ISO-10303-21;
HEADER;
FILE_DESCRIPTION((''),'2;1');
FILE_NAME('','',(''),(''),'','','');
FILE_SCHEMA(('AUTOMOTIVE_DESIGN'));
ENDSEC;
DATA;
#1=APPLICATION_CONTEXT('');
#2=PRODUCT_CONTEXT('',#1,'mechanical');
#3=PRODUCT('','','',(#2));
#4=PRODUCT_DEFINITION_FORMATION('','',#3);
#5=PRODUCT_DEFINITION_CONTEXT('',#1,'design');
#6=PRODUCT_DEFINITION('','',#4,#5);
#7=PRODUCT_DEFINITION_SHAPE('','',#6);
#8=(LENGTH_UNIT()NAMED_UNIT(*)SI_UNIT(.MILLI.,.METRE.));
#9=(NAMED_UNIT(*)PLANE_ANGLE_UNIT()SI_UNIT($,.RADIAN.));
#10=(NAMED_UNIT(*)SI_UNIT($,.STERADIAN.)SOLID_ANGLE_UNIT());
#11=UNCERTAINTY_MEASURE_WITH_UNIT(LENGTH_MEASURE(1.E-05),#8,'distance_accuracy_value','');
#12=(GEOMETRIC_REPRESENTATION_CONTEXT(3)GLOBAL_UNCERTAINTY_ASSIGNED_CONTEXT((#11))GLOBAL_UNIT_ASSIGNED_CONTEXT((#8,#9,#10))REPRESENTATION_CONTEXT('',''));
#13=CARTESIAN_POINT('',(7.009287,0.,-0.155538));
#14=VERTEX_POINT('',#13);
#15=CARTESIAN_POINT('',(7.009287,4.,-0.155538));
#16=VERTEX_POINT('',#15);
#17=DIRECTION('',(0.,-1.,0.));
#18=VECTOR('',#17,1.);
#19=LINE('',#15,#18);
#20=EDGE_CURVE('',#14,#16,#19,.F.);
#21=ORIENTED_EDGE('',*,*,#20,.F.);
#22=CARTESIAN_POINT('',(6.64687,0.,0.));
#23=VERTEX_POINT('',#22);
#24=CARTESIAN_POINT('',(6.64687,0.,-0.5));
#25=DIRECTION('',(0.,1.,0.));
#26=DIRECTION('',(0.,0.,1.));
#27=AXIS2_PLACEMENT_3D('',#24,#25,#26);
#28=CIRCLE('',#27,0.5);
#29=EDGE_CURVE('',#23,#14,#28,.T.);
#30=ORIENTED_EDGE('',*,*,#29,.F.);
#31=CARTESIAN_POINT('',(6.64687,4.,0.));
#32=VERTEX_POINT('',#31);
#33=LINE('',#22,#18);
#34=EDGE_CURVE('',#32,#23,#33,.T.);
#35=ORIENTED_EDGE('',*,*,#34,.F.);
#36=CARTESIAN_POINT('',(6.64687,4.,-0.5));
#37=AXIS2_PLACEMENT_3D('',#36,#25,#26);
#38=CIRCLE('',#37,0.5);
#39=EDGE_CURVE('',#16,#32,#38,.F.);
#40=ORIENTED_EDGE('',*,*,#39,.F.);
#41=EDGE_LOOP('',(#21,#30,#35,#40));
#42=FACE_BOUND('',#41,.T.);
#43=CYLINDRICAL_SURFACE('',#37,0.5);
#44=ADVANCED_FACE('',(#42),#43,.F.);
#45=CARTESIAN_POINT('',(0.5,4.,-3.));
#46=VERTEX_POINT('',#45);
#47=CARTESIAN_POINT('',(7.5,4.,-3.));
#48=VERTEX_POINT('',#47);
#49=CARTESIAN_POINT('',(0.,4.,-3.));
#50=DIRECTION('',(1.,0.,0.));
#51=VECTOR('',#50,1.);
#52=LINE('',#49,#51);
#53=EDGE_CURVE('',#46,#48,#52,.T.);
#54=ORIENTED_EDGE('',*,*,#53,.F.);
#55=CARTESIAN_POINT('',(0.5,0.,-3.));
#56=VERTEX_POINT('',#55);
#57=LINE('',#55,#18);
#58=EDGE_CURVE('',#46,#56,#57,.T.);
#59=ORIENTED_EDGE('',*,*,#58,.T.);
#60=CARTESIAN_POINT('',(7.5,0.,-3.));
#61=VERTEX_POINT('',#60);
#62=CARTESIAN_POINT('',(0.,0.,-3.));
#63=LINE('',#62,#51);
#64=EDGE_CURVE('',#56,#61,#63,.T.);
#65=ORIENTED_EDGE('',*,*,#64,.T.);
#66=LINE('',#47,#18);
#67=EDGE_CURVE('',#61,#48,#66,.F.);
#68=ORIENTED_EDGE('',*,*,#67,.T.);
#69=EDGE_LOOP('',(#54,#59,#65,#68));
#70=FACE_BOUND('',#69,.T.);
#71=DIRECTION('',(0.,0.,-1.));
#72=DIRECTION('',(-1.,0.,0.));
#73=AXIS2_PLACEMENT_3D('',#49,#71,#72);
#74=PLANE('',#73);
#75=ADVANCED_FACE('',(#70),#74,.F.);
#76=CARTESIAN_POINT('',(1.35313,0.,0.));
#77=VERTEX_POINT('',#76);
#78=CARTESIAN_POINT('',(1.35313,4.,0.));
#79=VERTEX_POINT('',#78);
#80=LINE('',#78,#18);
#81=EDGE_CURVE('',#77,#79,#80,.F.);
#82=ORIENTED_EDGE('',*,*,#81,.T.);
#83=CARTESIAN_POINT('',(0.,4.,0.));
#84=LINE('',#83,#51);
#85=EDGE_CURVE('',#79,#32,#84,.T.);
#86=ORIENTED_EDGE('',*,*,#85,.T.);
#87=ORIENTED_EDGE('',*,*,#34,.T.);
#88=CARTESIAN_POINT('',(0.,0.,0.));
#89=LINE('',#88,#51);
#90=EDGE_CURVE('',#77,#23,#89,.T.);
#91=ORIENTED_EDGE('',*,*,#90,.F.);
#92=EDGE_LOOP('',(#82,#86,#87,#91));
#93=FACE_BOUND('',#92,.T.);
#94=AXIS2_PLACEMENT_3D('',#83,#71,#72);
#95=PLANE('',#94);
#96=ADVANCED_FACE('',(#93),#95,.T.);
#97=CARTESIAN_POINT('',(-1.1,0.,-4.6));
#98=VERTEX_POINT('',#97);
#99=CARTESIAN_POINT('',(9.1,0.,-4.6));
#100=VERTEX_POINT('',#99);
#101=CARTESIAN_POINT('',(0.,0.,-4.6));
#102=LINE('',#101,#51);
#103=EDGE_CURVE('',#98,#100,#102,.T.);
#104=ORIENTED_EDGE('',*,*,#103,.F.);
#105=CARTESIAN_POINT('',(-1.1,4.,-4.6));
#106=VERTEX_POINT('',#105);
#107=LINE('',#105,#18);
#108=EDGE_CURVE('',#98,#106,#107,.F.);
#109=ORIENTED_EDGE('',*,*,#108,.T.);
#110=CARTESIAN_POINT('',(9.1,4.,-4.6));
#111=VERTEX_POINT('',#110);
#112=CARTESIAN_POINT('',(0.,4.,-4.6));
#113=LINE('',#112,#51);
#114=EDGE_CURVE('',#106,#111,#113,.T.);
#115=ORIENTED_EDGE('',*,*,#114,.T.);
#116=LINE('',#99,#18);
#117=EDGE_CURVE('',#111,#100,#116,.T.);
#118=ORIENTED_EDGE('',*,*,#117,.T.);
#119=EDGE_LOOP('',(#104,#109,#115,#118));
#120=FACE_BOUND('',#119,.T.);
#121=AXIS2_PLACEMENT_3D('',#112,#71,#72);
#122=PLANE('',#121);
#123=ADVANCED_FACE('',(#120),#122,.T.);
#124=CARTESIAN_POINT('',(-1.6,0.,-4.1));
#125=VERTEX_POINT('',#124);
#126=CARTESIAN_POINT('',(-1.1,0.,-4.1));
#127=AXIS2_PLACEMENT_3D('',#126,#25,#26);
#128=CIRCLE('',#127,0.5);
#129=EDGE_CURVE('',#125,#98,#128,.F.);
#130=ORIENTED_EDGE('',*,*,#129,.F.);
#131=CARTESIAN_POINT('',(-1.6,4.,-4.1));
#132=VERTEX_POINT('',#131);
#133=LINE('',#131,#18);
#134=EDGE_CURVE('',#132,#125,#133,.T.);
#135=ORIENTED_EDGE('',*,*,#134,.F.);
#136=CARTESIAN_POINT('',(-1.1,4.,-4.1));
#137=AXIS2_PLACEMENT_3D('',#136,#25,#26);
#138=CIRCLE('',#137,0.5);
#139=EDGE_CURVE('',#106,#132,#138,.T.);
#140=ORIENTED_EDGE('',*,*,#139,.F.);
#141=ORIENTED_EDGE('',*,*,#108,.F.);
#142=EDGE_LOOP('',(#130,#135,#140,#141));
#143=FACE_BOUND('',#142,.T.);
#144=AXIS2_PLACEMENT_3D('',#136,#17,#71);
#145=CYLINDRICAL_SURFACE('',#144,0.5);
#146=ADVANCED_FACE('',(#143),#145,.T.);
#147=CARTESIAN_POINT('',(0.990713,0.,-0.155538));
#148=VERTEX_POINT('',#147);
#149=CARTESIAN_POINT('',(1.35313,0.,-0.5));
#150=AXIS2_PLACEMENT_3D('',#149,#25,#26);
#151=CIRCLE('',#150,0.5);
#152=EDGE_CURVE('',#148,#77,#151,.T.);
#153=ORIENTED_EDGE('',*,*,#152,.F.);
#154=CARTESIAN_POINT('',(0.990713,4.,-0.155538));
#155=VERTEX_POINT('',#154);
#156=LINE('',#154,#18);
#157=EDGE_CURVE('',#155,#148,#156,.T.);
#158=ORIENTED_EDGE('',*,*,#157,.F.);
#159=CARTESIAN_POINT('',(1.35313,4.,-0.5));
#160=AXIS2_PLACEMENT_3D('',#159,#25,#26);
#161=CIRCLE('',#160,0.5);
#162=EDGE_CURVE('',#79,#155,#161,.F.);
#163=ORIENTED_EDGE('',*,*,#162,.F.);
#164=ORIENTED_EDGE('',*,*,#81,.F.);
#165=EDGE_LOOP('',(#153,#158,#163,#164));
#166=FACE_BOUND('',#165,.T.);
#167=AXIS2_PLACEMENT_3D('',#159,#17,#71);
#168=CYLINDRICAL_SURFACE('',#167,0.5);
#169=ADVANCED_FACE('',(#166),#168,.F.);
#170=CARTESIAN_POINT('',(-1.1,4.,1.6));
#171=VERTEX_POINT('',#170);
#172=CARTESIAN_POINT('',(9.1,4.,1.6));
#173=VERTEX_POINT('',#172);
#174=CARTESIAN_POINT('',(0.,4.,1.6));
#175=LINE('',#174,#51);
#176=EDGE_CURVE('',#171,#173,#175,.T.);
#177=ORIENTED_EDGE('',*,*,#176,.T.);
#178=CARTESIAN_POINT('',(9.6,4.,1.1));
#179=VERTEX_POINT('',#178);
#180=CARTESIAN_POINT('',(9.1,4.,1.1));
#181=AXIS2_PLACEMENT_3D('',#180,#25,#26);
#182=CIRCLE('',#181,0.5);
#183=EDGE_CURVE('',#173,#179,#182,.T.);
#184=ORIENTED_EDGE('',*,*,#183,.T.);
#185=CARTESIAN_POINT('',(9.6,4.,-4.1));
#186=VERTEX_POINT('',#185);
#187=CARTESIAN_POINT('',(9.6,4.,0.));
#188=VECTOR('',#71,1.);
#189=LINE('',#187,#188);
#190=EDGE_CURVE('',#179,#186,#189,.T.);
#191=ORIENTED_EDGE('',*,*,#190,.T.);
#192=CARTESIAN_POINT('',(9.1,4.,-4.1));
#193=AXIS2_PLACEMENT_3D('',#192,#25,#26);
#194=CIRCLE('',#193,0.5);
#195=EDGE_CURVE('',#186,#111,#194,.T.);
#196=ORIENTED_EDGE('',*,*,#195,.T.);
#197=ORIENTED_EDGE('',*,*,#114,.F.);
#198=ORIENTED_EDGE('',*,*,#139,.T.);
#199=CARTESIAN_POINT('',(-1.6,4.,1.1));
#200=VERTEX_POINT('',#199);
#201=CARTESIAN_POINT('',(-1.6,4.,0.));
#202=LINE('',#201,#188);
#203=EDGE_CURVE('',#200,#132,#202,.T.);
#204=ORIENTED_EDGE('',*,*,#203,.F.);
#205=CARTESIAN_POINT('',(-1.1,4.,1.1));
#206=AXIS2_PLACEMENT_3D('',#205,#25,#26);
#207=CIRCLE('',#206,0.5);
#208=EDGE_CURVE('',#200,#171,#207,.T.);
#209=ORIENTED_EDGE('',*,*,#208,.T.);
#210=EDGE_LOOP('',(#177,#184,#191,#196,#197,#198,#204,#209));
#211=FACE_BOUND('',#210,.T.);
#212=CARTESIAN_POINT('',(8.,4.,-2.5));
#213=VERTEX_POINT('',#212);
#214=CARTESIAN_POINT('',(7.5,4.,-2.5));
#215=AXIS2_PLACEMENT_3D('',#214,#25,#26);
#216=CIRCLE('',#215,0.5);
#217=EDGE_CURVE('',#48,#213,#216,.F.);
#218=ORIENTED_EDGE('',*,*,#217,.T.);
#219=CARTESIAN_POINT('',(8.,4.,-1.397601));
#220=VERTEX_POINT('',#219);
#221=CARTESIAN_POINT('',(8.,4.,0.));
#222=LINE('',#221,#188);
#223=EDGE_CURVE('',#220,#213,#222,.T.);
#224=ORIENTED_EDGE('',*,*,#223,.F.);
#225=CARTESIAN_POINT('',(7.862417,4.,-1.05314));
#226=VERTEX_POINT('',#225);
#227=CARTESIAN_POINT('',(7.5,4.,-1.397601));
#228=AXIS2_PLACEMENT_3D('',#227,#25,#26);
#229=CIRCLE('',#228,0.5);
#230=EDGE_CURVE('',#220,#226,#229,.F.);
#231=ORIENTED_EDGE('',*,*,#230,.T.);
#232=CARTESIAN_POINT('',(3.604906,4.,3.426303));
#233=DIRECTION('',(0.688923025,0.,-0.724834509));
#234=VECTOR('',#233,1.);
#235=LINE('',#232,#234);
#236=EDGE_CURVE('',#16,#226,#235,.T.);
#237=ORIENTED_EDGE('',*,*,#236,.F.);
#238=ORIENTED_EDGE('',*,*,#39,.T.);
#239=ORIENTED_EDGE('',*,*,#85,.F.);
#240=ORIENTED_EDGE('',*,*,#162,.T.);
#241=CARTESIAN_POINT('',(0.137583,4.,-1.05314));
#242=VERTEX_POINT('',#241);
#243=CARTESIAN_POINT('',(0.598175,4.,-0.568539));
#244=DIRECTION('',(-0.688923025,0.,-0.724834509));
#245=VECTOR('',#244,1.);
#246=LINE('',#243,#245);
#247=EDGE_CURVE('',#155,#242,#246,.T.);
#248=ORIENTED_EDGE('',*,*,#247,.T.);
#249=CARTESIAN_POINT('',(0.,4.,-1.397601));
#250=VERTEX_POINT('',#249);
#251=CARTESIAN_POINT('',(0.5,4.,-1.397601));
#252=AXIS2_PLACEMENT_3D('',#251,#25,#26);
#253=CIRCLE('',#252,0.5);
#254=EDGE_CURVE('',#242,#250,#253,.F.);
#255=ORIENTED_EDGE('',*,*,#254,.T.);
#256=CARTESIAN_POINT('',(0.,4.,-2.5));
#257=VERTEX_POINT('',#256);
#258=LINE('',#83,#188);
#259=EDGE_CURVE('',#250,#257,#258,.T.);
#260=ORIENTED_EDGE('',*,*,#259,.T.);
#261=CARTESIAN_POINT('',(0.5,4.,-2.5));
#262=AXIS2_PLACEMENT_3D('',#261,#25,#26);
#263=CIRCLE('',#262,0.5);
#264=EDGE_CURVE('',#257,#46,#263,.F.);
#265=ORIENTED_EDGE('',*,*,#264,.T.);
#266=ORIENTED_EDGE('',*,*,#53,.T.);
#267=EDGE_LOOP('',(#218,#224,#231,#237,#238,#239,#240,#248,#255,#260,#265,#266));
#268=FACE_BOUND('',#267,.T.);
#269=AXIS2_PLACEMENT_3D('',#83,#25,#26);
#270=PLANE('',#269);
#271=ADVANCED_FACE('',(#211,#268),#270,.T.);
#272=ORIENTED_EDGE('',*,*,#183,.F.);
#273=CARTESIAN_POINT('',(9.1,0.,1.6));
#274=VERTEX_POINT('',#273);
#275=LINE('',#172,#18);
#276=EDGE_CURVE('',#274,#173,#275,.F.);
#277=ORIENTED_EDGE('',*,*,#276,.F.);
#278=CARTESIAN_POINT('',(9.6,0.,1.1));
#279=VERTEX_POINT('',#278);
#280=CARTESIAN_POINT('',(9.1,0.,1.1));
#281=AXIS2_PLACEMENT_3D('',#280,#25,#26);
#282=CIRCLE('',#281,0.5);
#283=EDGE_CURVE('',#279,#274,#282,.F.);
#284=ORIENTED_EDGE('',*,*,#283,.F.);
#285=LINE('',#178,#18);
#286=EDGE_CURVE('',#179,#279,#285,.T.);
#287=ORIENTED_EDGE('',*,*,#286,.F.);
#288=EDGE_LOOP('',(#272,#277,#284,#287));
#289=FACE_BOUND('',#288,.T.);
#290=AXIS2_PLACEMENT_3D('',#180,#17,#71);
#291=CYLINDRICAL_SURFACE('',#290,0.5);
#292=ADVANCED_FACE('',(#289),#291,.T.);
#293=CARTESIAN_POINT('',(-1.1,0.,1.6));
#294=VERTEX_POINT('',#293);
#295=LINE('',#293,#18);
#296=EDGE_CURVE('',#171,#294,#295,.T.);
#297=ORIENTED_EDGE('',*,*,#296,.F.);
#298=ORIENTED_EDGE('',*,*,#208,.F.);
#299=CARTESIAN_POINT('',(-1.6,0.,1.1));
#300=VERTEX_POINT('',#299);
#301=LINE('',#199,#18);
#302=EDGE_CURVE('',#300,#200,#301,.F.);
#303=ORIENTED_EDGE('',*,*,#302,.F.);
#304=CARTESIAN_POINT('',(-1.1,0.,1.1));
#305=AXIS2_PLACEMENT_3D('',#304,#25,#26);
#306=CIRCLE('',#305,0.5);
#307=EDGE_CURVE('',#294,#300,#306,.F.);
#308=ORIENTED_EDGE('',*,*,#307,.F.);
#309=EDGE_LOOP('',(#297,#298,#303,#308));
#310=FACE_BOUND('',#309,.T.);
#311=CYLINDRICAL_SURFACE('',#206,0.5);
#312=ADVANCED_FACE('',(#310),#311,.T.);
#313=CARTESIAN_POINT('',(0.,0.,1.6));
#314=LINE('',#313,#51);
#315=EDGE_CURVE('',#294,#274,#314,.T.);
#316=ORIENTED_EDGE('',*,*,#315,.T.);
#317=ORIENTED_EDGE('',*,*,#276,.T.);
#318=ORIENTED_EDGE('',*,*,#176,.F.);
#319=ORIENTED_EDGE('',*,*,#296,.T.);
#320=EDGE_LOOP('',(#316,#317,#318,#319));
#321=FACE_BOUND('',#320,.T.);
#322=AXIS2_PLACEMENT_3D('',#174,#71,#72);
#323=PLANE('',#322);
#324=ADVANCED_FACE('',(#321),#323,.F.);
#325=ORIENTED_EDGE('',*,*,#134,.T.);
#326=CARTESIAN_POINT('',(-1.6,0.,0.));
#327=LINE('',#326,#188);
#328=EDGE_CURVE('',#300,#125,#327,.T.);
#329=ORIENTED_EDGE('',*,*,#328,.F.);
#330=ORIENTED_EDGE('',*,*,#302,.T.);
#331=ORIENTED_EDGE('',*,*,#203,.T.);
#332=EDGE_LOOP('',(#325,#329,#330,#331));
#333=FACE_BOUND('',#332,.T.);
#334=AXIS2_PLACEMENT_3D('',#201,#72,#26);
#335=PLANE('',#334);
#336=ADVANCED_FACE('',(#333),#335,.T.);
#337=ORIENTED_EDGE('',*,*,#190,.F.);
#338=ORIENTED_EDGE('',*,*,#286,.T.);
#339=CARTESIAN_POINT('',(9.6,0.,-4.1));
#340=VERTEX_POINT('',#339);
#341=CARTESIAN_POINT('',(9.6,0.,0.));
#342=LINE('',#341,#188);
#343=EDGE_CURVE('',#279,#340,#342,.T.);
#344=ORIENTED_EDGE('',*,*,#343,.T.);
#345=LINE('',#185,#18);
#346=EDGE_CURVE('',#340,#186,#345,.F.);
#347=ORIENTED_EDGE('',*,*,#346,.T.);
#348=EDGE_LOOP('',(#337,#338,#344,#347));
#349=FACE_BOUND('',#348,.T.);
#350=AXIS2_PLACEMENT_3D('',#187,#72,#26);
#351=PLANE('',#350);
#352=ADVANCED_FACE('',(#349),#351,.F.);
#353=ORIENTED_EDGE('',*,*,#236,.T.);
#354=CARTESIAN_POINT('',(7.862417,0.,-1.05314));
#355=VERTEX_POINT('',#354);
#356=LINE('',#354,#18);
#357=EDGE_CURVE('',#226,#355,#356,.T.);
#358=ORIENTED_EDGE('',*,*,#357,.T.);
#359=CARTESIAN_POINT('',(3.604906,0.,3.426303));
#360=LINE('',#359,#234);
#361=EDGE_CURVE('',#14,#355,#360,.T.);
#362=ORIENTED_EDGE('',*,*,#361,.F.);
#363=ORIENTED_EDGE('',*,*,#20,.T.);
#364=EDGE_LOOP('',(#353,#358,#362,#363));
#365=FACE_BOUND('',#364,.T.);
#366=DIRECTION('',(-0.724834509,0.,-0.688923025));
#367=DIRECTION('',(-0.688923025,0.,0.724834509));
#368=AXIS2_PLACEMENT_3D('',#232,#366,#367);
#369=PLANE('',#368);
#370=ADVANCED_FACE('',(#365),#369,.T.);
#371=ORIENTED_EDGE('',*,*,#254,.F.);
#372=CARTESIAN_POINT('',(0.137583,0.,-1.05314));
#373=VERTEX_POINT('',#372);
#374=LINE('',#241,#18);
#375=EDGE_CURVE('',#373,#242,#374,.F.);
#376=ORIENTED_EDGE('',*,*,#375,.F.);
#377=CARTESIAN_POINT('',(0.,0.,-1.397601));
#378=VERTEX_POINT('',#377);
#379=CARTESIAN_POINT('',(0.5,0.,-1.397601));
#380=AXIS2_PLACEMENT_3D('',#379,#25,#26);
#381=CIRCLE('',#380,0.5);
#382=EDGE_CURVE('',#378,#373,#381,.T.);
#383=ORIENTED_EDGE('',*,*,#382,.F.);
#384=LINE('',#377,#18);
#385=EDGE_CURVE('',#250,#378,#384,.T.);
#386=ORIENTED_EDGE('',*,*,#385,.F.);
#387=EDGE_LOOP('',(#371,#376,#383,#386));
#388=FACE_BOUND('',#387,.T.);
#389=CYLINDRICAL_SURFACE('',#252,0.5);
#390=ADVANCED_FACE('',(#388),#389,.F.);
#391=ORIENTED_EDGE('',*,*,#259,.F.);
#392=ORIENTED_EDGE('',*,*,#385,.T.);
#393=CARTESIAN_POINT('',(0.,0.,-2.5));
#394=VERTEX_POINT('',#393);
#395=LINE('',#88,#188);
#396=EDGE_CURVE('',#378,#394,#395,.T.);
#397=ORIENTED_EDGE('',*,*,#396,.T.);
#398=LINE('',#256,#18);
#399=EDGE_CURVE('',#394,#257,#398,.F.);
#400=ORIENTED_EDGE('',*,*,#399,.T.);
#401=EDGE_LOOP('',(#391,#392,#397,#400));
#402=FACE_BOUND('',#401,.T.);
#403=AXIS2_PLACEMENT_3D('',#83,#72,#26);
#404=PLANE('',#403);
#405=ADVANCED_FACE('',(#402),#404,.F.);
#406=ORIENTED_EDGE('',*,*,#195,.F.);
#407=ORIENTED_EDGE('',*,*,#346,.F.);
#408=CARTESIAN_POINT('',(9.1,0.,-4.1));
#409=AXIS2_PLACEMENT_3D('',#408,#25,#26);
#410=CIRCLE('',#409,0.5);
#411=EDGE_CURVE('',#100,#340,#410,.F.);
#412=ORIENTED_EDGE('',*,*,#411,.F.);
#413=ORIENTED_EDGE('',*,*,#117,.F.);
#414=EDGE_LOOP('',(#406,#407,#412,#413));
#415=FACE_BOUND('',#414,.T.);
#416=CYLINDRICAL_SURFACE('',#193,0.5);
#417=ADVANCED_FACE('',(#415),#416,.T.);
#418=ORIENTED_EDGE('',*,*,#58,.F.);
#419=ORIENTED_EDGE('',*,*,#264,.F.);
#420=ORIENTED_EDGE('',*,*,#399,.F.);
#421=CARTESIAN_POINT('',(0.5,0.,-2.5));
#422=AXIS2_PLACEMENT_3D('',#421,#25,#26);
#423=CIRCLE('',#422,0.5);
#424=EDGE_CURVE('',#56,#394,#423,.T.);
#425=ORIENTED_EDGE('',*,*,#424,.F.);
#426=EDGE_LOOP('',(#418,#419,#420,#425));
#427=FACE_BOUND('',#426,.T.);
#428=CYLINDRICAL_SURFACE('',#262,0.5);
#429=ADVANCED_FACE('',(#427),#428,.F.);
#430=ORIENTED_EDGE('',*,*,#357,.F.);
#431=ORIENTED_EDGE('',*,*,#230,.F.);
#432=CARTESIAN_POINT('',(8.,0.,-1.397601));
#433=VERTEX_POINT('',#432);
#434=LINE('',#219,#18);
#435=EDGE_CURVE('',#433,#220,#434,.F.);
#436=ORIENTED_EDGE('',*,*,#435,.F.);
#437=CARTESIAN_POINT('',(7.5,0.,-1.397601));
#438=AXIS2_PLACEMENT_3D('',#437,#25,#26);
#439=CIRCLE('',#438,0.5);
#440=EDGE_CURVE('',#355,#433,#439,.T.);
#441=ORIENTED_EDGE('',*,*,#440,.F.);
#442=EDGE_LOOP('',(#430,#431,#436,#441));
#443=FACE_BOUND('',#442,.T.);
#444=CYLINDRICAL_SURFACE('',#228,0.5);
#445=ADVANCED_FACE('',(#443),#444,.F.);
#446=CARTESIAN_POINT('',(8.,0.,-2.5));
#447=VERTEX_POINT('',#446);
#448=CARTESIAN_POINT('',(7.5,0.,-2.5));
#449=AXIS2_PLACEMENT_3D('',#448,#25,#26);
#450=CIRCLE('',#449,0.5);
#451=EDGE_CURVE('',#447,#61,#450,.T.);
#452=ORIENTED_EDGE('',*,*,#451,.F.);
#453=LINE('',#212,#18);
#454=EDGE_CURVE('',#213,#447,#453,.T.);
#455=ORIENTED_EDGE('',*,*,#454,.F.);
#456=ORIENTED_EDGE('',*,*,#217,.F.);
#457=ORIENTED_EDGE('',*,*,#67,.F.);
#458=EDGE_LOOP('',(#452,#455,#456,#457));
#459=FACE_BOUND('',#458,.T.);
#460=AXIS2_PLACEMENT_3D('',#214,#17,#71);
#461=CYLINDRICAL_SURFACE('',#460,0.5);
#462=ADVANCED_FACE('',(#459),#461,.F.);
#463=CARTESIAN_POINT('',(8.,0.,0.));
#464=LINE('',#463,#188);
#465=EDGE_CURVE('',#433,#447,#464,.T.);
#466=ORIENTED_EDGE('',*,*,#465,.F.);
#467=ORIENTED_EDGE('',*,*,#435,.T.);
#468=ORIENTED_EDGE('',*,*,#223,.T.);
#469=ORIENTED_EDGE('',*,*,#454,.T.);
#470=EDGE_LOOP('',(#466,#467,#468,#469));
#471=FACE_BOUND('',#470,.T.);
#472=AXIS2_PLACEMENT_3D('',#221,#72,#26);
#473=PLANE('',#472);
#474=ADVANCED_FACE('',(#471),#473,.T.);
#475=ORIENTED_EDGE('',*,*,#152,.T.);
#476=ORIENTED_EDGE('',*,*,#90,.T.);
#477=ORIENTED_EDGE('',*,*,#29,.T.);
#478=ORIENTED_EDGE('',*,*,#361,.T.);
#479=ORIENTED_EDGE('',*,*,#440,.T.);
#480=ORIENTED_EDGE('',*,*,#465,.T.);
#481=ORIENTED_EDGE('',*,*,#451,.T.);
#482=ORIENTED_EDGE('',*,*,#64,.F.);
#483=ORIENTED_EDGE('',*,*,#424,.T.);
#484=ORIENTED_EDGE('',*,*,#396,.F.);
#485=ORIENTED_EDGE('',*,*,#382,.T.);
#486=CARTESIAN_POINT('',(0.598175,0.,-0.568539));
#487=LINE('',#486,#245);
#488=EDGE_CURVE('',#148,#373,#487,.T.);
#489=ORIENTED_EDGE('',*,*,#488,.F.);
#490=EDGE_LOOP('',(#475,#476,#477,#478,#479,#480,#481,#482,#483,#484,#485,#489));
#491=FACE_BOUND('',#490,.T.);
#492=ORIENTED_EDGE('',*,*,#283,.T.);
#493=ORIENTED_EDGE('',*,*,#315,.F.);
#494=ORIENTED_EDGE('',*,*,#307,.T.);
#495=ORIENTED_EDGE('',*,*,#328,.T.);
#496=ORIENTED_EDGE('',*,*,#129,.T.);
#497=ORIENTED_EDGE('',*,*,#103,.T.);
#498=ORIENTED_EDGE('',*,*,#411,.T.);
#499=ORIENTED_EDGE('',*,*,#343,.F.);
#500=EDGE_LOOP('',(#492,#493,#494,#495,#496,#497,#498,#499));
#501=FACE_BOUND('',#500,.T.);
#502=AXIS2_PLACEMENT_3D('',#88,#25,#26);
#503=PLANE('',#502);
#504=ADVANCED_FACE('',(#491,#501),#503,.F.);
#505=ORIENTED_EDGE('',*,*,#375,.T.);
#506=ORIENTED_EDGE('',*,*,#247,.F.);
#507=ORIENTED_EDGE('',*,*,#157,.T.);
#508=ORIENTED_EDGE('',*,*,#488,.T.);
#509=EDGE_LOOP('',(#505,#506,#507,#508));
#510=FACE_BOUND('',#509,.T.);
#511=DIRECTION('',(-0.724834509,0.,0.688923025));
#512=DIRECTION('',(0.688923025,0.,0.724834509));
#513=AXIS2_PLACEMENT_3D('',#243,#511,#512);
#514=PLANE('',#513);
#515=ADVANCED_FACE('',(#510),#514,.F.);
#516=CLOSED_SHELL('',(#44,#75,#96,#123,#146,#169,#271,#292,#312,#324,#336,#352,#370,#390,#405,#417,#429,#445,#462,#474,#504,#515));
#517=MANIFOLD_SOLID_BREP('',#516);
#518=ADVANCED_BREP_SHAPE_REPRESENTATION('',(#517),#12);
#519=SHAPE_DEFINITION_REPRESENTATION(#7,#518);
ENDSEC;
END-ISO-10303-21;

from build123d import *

# Parameters (mm, degrees)
SKETCH_1_W      = 11.2
SKETCH_1_H      = 6.2
SKETCH_1_W_2    = 8
SKETCH_1_H_2    = 3
EXTRUDE_1_DEPTH = 4
FILLET_1_R      = 0.5
FILLET_2_R      = 0.5


with BuildPart() as part:
    # Эскиз1 → Бобышка-Вытянуть1 (new body)
    # profile 1 of 4: a face of its own
    with BuildSketch(Plane(origin=(0, 0, 0), x_dir=(1, 0, 0), z_dir=(0, 1, 0))):
        with Locations((4, 1.5)):
            Rectangle(SKETCH_1_W, SKETCH_1_H)
        with Locations((4, 1.5)):
            Rectangle(SKETCH_1_W_2, SKETCH_1_H_2, mode=Mode.SUBTRACT)
    # profile 2 of 4: a face of its own
    with BuildSketch(Plane(origin=(0, 0, 0), x_dir=(1, 0, 0), z_dir=(0, 1, 0))):
        Polygon((4, 4.6), (-1.6, 4.6), (-1.6, -1.6), (4, -1.6), (4, 0), (1.138545398, 0), (0, 0), (0, 1.197894344), (0, 3), (4, 3), align=None)
    # profile 3 of 4: a face of its own
    with BuildSketch(Plane(origin=(0, 0, 0), x_dir=(1, 0, 0), z_dir=(0, 1, 0))):
        Polygon((1.138545398, 0), (0, 1.197894344), (0, 0), align=None)
    # profile 4 of 4: a face of its own
    with BuildSketch(Plane(origin=(0, 0, 0), x_dir=(1, 0, 0), z_dir=(0, 1, 0))):
        Polygon((8, 0), (8, 1.197894344), (6.861454602, 0), align=None)
    extrude(amount=EXTRUDE_1_DEPTH)

    # Скругление1
    fillet_1_edges = [part.edges().sort_by_distance(p)[0] for p in [
        (8, 2, -3),
        (0, 2, -3),
    ]]
    fillet(fillet_1_edges, radius=FILLET_1_R)

    # Скругление2
    fillet_2_edges = [part.edges().sort_by_distance(p)[0] for p in [
        (9.6, 2, -4.6),
        (9.6, 2, 1.6),
        (-1.6, 2, 1.6),
        (-1.6, 2, -4.6),
        (6.861454602, 2, 0),
        (8, 2, -1.197894344),
        (0, 2, -1.197894344),
        (1.138545398, 2, 0),
    ]]
    fillet(fillet_2_edges, radius=FILLET_2_R)


solid = part.part
